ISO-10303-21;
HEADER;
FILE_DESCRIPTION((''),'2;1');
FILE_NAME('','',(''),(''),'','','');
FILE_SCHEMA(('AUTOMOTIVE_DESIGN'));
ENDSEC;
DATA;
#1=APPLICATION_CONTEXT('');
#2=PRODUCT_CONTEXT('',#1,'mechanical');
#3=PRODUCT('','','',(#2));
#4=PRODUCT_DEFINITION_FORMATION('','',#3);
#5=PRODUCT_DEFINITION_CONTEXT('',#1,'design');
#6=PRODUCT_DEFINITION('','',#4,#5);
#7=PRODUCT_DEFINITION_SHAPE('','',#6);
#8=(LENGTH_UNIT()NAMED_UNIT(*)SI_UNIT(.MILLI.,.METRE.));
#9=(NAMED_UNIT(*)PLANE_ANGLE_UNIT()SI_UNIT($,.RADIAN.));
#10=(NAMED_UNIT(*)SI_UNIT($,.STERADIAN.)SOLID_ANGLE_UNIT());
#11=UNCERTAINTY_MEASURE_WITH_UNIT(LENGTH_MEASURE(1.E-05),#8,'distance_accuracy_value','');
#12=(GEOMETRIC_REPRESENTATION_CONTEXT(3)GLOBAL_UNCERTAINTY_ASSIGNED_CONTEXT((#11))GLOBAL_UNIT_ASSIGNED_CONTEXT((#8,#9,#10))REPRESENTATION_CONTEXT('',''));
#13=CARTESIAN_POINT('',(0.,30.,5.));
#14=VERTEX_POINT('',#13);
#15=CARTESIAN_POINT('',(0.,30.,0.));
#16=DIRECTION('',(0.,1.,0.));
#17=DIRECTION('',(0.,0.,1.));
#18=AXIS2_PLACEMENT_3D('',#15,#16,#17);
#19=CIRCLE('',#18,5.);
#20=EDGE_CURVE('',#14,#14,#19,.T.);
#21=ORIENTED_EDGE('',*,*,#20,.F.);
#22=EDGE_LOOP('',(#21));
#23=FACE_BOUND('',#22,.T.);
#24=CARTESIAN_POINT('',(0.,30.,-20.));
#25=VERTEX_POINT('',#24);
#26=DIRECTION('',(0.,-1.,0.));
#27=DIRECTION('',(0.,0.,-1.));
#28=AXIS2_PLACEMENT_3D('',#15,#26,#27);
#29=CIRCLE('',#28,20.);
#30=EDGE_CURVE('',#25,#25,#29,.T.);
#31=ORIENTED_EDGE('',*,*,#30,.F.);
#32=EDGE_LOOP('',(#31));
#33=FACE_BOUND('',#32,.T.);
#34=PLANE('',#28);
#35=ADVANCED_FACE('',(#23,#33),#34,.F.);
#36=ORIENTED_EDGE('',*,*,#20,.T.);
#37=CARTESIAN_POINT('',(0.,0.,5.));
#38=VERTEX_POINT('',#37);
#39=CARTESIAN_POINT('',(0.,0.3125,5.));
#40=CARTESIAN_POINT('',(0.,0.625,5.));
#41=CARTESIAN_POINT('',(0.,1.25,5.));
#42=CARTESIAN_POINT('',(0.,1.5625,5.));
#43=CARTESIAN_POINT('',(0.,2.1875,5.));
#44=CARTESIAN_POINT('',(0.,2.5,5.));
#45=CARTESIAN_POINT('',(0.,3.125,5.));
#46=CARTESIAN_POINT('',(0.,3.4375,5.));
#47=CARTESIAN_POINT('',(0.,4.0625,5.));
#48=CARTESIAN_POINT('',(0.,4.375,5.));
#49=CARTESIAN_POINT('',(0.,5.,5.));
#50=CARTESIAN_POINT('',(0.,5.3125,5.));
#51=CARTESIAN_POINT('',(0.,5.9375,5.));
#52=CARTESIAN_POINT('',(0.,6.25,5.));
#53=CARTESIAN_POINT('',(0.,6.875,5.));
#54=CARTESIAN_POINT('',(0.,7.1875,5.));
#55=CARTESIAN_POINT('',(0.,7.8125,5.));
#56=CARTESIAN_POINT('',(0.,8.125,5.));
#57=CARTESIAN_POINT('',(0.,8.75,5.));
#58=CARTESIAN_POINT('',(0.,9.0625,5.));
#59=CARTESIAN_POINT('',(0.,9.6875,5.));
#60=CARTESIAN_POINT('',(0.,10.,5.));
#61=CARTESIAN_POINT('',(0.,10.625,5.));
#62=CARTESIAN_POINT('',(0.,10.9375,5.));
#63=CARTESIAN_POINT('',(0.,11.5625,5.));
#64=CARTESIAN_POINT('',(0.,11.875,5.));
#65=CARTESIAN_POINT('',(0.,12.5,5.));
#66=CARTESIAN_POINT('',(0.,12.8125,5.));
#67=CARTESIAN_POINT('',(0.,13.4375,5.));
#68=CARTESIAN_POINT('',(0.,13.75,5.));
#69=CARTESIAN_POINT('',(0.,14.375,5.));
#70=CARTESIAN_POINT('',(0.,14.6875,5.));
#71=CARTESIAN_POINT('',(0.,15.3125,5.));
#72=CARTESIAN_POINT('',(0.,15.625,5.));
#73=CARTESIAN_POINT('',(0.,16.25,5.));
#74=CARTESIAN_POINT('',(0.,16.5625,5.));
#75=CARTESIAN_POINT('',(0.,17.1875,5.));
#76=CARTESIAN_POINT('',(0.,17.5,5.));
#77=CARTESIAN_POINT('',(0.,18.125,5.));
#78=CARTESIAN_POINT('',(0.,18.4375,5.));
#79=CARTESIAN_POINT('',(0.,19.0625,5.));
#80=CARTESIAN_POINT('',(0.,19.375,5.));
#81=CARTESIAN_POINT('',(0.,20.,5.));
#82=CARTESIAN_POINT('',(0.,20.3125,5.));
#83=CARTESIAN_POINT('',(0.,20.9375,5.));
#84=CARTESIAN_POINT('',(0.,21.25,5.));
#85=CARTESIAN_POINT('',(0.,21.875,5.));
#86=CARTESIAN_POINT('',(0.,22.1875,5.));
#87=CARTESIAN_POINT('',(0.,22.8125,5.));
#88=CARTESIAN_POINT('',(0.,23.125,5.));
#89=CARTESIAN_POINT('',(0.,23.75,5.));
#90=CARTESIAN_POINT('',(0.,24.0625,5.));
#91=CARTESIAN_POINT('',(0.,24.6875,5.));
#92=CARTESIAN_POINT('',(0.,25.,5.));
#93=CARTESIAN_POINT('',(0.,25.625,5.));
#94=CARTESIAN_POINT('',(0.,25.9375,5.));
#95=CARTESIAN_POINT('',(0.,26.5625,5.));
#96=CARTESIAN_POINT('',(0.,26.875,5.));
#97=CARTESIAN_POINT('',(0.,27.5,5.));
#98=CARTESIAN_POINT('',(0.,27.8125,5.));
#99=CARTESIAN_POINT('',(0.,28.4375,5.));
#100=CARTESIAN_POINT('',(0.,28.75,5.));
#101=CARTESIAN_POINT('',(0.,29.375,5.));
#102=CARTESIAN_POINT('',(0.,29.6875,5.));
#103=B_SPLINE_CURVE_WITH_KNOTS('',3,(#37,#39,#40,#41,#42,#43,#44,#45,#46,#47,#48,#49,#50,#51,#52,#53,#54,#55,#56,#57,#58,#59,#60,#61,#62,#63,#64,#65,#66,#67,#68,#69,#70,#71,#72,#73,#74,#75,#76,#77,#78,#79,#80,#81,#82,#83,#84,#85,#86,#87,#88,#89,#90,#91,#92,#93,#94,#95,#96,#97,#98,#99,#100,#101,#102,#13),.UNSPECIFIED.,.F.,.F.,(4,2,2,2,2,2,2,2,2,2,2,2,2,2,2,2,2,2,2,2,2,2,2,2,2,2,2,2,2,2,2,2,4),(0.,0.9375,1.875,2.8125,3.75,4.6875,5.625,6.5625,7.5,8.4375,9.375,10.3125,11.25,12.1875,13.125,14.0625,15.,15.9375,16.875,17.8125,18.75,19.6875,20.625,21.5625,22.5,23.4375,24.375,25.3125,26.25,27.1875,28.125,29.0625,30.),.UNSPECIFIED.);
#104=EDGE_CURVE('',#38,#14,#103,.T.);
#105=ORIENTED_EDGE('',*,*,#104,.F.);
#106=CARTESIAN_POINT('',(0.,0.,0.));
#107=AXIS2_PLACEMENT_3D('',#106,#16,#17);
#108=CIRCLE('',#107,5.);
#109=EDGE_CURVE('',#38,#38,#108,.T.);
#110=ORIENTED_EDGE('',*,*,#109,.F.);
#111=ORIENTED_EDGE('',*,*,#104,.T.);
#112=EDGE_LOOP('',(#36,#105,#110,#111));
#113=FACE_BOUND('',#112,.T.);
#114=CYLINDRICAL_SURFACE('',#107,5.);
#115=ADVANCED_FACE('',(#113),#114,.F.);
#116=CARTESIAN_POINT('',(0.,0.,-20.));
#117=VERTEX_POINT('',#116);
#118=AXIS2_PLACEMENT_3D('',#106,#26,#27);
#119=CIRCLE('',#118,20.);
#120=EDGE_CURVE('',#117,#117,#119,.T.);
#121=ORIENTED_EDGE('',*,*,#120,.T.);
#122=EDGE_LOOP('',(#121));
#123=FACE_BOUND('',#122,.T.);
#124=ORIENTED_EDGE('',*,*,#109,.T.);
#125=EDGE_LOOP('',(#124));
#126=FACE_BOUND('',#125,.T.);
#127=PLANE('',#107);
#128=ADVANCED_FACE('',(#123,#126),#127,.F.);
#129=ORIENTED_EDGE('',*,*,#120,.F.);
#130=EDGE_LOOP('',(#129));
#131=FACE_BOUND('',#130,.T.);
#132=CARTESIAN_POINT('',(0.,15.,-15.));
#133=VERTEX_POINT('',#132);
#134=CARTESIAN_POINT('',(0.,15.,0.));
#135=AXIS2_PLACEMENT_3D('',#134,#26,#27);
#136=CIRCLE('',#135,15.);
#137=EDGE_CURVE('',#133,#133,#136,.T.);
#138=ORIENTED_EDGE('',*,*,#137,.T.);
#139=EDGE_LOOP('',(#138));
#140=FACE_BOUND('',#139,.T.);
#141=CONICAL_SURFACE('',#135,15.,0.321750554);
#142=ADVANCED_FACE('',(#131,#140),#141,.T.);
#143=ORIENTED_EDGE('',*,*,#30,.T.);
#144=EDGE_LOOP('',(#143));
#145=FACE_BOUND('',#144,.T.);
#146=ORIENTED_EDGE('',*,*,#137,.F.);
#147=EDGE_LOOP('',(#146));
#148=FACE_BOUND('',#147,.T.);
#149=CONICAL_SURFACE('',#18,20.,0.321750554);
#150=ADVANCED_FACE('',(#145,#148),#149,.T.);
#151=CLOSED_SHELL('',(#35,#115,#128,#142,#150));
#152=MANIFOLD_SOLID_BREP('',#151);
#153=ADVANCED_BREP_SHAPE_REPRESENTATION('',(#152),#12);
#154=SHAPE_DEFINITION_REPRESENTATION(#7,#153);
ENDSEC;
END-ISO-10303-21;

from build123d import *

# Parameters (mm, degrees)
SKETCH2_R          = 5
CUT_EXTRUDE1_DEPTH = 42.231056256


with BuildPart() as part:
    # Sketch1 → Revolve1 (revolve)
    with BuildSketch(Plane.XY, mode=Mode.PRIVATE) as revolve1_sk:
        Polygon((-20, 30), (-15, 15), (-20, 0), (0, 0), (0, 30), align=None)
    revolve(revolve1_sk.sketch.rotate(Axis((0, 0, 0), (0, 1, 0)), 270), axis=Axis((0, 0, 0), (0, 1, 0)))

    # Sketch2 → Cut-Extrude1 (cut, through all)
    with BuildSketch(Plane(origin=(0, 30, 0), x_dir=(1, 0, 0), z_dir=(0, 1, 0))):
        with Locations(Location((0, 0, 0), (0, 0, 270))):
            Circle(SKETCH2_R)
    extrude(amount=-CUT_EXTRUDE1_DEPTH, mode=Mode.SUBTRACT)


solid = part.part
